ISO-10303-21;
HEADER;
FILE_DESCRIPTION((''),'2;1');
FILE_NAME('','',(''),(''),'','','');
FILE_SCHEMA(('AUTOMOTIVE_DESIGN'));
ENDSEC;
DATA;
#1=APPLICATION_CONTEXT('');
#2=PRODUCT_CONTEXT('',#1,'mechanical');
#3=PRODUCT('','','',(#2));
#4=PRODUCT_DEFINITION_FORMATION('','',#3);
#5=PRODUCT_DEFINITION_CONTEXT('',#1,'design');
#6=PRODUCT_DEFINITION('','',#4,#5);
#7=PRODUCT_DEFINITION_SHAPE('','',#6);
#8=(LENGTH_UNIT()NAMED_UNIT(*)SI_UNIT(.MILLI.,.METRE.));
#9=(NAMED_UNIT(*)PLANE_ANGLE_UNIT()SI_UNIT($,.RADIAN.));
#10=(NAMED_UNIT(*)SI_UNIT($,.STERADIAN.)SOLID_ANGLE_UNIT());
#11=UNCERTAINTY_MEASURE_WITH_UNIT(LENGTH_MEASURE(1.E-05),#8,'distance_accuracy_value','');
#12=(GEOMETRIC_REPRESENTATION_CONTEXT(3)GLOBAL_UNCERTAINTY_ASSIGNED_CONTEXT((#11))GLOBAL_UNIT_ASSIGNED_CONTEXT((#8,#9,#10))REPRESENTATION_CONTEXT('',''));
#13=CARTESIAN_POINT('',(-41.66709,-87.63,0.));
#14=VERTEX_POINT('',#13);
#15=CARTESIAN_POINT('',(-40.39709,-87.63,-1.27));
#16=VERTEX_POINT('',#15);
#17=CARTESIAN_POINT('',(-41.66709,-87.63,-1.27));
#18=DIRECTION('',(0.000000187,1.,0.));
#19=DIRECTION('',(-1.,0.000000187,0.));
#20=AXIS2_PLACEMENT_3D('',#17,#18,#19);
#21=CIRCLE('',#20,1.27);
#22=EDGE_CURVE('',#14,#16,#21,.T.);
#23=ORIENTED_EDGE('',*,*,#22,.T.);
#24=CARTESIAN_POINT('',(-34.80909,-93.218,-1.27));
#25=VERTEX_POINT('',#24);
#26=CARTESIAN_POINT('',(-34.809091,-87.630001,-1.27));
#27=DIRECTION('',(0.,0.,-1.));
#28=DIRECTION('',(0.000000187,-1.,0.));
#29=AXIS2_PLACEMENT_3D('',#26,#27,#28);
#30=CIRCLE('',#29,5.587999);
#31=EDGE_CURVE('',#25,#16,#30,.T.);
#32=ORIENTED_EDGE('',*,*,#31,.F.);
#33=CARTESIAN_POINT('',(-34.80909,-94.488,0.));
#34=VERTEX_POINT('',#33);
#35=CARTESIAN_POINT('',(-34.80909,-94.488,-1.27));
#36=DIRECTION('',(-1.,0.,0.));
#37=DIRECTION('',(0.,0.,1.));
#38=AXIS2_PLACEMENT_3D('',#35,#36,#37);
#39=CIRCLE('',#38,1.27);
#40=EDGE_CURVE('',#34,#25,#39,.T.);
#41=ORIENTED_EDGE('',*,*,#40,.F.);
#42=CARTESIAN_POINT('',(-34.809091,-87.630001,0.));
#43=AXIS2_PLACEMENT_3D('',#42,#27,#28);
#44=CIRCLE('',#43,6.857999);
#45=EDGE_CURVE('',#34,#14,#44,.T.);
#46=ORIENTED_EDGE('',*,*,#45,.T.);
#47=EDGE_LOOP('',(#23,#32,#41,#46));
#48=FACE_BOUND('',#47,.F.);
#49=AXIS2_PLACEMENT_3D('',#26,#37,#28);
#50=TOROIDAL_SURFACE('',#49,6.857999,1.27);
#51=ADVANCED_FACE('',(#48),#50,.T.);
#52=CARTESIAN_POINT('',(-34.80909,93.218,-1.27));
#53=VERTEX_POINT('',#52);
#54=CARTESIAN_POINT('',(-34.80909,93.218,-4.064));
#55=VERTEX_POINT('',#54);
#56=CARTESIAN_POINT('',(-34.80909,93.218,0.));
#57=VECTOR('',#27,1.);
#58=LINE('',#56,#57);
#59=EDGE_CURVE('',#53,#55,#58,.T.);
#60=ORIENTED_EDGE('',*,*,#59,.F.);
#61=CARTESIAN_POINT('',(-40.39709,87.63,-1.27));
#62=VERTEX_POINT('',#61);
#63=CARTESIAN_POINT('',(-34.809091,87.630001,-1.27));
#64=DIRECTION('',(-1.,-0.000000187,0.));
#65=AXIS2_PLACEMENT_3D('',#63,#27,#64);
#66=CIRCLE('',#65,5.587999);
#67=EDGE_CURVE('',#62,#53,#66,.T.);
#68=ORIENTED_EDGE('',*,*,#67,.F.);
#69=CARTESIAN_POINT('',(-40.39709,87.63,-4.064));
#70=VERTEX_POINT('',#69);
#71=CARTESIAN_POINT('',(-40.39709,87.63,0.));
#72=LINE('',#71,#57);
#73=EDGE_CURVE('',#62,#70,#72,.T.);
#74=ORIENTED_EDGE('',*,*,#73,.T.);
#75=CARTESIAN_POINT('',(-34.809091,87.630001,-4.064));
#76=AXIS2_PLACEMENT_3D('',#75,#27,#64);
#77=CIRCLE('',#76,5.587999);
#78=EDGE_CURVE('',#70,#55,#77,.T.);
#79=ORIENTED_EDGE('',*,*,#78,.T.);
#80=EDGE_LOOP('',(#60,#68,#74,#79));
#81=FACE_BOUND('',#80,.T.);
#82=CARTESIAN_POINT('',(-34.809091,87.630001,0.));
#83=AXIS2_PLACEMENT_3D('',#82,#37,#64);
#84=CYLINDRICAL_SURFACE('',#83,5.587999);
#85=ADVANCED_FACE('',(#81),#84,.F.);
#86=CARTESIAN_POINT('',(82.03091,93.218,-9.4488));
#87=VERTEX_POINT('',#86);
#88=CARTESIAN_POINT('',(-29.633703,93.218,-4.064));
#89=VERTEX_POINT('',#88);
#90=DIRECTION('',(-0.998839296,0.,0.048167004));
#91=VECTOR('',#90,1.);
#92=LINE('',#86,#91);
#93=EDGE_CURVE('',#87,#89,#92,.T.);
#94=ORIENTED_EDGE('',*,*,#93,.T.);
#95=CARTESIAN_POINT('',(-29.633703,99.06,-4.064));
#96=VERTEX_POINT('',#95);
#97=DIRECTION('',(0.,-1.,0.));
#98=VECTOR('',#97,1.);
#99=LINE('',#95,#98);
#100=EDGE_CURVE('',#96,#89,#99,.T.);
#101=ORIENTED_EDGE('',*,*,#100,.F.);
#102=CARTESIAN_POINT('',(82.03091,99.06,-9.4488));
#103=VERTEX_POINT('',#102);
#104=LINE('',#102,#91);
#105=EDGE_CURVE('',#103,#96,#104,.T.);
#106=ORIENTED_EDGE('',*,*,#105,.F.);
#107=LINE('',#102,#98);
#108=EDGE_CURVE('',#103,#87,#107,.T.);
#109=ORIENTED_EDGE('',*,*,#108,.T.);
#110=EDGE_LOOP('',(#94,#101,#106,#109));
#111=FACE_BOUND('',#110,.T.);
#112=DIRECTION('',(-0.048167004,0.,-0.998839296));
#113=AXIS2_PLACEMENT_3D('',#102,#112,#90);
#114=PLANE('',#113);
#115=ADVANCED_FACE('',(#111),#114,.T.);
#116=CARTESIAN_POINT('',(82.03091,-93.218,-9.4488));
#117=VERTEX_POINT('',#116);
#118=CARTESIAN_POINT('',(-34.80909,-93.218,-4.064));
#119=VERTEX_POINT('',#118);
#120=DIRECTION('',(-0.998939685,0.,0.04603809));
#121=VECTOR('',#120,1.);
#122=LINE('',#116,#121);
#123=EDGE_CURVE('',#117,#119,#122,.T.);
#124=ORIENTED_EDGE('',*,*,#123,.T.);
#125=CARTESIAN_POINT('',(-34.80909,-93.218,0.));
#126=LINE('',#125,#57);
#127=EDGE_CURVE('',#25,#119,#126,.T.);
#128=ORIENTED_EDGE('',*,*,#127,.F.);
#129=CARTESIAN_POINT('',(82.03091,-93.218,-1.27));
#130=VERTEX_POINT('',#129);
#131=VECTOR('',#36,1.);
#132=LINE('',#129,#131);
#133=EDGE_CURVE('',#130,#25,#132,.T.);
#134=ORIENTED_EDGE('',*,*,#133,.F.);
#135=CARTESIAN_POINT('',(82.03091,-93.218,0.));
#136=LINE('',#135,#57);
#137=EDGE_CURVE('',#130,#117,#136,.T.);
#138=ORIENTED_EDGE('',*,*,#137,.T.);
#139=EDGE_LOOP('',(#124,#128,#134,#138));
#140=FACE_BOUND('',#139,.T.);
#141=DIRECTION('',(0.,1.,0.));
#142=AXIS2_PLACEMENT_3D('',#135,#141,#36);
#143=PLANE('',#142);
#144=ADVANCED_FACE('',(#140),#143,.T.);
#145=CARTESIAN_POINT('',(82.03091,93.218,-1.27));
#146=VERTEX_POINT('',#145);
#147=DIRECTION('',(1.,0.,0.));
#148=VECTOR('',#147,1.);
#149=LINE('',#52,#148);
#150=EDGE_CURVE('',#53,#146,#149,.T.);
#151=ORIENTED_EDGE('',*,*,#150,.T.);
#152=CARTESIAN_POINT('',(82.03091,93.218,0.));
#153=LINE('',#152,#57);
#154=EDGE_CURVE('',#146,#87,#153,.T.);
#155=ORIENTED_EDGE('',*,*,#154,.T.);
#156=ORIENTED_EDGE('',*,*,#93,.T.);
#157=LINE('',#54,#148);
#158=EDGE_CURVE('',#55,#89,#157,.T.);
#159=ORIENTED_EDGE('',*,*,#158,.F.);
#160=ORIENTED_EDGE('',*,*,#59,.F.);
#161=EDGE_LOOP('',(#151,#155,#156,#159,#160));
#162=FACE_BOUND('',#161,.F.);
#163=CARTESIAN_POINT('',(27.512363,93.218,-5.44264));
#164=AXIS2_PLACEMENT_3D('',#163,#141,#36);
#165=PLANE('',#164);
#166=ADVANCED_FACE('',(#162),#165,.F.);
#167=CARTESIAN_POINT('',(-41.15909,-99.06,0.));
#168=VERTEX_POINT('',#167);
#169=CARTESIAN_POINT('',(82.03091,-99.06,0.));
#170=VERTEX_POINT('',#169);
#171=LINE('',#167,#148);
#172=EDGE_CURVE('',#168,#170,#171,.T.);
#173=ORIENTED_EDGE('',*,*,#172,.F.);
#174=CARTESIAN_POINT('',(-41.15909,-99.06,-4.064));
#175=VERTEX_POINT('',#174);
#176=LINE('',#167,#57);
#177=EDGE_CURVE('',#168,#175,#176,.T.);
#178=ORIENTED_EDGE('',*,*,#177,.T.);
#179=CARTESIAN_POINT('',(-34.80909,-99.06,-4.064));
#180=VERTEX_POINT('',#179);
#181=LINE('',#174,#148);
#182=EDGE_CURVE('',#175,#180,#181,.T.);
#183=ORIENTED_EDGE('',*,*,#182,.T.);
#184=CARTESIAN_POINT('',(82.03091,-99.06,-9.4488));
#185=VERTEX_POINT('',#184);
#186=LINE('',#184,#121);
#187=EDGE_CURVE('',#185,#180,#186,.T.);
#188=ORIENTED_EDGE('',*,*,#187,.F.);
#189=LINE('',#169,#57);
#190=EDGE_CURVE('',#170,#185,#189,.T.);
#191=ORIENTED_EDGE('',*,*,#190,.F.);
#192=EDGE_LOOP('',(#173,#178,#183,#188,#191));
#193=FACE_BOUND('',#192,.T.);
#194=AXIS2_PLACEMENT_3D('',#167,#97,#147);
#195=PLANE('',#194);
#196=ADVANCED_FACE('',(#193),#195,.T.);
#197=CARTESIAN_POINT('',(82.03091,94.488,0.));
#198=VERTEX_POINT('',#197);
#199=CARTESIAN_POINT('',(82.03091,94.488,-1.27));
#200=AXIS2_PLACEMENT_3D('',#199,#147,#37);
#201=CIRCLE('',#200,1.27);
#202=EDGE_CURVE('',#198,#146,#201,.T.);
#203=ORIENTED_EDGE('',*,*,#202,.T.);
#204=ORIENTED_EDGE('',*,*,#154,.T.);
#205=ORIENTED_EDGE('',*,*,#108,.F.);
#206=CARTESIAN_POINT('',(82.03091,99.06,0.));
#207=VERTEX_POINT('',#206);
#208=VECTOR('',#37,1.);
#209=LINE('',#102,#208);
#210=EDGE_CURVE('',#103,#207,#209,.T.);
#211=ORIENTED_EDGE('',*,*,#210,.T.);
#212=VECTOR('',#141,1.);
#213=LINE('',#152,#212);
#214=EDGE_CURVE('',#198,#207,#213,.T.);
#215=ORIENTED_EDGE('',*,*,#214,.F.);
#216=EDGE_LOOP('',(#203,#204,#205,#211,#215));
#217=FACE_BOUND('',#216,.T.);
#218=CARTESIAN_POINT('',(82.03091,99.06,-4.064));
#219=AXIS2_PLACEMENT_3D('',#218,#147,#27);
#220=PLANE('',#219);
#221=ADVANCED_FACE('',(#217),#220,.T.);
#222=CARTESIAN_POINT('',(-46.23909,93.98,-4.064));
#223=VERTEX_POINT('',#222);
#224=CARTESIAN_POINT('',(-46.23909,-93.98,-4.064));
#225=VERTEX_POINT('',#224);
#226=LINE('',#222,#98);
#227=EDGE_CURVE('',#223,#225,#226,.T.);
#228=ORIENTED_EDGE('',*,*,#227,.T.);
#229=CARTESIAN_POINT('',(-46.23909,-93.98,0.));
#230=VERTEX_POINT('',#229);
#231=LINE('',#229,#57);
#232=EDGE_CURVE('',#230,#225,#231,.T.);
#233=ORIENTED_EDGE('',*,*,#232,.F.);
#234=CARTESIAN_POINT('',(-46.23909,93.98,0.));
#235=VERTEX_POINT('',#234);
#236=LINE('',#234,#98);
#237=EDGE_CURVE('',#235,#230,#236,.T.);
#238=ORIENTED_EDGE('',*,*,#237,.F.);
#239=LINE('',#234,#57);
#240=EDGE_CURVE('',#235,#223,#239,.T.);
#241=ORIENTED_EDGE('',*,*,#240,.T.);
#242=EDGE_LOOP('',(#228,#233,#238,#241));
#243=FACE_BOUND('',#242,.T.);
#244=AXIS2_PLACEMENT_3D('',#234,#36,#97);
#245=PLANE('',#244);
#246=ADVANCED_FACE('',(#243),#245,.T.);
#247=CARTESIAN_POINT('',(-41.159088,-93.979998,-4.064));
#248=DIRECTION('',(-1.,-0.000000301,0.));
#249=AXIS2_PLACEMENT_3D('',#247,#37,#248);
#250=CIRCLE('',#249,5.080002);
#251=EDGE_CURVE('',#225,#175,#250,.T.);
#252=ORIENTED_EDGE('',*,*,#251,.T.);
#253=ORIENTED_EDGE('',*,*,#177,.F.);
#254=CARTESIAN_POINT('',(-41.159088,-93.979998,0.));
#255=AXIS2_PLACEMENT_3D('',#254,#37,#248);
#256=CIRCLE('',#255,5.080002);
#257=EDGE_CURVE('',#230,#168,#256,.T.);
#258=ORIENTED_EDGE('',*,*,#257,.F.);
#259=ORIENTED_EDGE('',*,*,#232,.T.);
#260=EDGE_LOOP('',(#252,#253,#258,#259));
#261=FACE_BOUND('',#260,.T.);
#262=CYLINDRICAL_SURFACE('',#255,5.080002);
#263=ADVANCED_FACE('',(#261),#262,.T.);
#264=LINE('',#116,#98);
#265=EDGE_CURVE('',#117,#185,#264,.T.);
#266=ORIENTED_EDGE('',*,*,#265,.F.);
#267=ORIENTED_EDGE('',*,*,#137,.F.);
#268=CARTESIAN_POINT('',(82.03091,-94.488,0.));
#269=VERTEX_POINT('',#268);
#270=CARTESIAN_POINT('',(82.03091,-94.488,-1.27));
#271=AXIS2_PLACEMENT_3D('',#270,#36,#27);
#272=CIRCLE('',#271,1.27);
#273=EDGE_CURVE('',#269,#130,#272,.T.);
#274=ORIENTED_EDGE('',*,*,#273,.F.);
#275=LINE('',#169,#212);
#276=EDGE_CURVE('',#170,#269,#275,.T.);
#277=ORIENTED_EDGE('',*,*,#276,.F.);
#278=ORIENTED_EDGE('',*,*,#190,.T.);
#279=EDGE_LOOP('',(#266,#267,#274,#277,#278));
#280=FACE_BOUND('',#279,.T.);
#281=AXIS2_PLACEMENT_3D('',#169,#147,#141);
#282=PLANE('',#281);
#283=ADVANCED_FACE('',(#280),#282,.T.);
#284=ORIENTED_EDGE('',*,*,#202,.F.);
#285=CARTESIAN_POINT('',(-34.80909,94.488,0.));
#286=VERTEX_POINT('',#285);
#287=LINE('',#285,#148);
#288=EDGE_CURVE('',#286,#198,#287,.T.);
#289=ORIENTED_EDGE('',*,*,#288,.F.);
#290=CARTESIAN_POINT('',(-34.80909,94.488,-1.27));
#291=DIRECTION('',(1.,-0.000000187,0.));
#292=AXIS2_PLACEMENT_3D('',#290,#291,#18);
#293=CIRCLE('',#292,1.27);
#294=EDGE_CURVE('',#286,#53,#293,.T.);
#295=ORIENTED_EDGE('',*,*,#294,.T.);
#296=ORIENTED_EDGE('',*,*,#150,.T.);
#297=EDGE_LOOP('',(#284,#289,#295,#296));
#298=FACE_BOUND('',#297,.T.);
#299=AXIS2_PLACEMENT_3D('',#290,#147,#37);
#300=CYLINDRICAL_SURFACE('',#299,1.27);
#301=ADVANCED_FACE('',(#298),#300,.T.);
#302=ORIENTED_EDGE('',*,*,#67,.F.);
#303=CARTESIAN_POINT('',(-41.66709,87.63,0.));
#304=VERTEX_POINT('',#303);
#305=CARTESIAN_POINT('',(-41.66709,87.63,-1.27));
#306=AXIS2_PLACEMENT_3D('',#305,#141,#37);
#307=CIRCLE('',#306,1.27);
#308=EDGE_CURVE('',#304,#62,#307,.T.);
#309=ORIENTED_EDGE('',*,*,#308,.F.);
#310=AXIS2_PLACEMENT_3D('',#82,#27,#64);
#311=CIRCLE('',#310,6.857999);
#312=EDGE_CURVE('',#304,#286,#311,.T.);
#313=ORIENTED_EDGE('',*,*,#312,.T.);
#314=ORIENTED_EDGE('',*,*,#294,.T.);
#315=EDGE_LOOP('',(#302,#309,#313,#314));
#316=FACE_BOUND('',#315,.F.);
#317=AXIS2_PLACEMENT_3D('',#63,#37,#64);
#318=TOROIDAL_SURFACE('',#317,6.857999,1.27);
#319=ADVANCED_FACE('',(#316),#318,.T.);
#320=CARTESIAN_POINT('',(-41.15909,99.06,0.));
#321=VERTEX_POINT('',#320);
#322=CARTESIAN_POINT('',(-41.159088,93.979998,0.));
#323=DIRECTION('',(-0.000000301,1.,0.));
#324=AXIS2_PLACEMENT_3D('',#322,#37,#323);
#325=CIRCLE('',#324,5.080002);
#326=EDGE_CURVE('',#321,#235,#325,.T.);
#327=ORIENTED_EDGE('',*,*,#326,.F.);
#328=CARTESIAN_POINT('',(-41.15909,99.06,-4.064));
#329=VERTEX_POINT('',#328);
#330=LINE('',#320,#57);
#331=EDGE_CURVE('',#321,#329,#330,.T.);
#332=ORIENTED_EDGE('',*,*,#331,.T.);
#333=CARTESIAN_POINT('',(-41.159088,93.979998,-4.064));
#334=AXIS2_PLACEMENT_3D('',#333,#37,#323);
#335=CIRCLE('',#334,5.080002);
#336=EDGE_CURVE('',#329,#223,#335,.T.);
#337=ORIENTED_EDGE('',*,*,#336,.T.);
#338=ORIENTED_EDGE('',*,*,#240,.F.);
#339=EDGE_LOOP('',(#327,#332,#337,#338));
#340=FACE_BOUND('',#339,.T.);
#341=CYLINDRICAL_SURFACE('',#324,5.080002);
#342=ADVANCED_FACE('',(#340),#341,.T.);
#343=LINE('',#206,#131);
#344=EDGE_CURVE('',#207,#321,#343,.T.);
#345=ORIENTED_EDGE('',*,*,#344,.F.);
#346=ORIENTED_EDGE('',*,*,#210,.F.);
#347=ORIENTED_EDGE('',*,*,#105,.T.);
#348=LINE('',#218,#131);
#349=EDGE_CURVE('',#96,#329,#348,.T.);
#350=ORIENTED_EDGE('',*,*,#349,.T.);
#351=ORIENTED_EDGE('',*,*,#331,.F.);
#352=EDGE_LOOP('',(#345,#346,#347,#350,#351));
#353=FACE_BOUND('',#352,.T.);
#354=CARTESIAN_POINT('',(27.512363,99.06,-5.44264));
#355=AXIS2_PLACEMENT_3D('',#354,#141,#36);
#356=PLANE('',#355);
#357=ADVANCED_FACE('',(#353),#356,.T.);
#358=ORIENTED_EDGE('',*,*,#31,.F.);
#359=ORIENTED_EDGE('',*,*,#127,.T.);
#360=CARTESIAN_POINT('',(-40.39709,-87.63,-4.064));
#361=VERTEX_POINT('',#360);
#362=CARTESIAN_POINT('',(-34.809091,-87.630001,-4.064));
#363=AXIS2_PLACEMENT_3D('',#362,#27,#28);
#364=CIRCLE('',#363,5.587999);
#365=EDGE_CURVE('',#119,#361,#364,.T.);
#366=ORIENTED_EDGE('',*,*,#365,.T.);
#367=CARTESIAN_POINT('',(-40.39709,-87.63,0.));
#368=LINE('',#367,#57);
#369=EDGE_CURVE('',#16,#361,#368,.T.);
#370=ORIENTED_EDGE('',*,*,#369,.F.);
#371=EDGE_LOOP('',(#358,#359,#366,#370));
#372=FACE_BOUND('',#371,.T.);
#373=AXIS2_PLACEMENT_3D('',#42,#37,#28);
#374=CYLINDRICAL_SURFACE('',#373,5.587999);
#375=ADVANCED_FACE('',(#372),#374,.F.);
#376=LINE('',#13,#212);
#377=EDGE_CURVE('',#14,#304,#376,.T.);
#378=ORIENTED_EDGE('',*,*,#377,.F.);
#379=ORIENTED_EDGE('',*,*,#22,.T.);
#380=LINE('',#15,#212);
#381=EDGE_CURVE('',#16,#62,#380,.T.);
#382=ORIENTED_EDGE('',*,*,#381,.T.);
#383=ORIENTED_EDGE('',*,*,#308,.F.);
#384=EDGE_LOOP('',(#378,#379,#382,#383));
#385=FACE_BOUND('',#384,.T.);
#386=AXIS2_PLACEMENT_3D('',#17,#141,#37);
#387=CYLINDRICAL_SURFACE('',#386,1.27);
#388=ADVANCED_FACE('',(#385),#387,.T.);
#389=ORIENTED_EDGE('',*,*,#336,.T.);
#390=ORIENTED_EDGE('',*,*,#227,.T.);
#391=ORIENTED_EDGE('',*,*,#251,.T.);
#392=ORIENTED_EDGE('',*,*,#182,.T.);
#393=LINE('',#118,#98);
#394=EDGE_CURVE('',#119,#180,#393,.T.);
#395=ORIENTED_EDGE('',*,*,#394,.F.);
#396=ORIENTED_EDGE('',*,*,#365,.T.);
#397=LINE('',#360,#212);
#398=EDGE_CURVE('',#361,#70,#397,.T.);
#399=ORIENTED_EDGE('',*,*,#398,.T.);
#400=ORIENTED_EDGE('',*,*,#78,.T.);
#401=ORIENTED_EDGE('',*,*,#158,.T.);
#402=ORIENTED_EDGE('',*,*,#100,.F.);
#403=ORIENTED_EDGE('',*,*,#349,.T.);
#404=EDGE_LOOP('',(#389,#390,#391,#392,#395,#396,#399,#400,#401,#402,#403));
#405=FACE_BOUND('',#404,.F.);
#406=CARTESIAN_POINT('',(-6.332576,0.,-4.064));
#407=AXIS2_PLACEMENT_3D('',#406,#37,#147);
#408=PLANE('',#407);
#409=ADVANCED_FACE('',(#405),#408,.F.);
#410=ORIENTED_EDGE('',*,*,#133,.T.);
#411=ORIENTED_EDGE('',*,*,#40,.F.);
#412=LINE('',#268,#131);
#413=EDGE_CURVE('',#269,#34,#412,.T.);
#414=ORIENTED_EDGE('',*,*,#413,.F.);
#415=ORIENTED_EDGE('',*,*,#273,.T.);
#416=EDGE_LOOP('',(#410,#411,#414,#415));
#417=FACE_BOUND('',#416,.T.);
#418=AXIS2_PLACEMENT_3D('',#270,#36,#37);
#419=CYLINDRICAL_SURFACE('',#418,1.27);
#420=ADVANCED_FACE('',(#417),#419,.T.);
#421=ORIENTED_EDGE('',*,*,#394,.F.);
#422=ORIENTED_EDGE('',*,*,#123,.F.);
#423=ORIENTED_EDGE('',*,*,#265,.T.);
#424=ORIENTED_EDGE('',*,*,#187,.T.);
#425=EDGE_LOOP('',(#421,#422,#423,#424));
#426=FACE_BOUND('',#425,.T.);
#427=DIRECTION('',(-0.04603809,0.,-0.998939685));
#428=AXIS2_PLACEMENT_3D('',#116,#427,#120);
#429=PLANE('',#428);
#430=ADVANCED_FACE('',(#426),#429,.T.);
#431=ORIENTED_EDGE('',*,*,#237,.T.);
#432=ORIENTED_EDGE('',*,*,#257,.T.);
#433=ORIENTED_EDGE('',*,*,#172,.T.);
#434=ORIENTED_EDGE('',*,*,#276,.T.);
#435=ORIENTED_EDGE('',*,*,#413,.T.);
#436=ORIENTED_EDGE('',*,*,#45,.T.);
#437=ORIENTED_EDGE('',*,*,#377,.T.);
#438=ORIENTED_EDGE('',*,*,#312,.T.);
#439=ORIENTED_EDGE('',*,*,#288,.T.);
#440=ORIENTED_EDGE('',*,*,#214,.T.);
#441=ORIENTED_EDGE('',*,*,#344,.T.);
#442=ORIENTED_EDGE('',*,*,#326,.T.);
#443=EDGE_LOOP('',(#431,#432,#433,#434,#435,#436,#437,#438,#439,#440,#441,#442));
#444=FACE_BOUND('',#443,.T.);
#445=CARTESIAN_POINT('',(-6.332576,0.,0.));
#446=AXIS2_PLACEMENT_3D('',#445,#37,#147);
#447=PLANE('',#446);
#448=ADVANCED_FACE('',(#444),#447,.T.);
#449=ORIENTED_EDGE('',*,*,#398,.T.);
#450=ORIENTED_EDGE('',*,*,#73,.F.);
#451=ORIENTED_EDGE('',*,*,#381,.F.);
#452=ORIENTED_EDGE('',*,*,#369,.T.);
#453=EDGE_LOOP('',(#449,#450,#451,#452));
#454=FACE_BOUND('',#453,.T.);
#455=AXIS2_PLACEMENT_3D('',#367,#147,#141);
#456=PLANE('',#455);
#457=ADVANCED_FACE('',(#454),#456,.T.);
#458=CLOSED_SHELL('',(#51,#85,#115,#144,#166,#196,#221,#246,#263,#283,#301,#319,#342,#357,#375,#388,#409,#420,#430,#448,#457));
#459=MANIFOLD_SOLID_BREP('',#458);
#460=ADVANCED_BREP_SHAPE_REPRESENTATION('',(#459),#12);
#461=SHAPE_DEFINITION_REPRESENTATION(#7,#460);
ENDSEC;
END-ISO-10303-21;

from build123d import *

# Parameters (mm, degrees)
F1_DEPTH = 4.064
F4_DEPTH = 5.842
F6_DEPTH = 5.842
F7_R     = 1.27


with BuildPart() as f1:
    # F0 (on Top) → F1 (new body)
    with BuildSketch(Plane.XY):
        with BuildLine():
            Line((-41.15909, -99.06), (82.03091, -99.06))
            Line((82.03091, -99.06), (82.03091, -93.218))
            Line((82.03091, -93.218), (-34.80909, -93.218))
            ThreePointArc((-34.80909, -93.218), (-38.760403, -91.581313), (-40.39709, -87.63))
            Line((-40.39709, -87.63), (-40.39709, 87.63))
            ThreePointArc((-40.39709, 87.63), (-38.760403, 91.581313), (-34.80909, 93.218))
            Line((-34.80909, 93.218), (82.03091, 93.218))
            Line((82.03091, 93.218), (82.03091, 99.06))
            Line((82.03091, 99.06), (-41.15909, 99.06))
            ThreePointArc((-41.15909, 99.06), (-44.751192, 97.572102), (-46.23909, 93.98))
            Line((-46.23909, 93.98), (-46.23909, -93.98))
            ThreePointArc((-46.23909, -93.98), (-44.751192, -97.572102), (-41.15909, -99.06))
        make_face()
    extrude(amount=-F1_DEPTH)

    # F3 (on face) → F4 (join, through all)
    with BuildSketch(Plane(origin=(0, 99.06, 0), x_dir=(-1, 0, 0), z_dir=(0, 1, 0))):
        Polygon((29.633703, -4.064), (-82.03091, -4.064), (-82.03091, -9.4488), align=None)
    extrude(amount=-F4_DEPTH)

    # F5 (on face) → F6 (join)
    with BuildSketch(Plane(origin=(0, -93.218, 0), x_dir=(-1, 0, 0), z_dir=(0, 1, 0))):
        Polygon((34.80909, 0), (-82.03091, 0), (-82.03091, -9.4488), (34.80909, -4.064), align=None)
    extrude(amount=-F6_DEPTH)

    # F7
    f7_edges = [f1.edges().sort_by_distance(p)[0] for p in [
        (23.61091, 93.218, 0),
    ]]
    fillet(f7_edges, radius=F7_R)


solid = f1.part
